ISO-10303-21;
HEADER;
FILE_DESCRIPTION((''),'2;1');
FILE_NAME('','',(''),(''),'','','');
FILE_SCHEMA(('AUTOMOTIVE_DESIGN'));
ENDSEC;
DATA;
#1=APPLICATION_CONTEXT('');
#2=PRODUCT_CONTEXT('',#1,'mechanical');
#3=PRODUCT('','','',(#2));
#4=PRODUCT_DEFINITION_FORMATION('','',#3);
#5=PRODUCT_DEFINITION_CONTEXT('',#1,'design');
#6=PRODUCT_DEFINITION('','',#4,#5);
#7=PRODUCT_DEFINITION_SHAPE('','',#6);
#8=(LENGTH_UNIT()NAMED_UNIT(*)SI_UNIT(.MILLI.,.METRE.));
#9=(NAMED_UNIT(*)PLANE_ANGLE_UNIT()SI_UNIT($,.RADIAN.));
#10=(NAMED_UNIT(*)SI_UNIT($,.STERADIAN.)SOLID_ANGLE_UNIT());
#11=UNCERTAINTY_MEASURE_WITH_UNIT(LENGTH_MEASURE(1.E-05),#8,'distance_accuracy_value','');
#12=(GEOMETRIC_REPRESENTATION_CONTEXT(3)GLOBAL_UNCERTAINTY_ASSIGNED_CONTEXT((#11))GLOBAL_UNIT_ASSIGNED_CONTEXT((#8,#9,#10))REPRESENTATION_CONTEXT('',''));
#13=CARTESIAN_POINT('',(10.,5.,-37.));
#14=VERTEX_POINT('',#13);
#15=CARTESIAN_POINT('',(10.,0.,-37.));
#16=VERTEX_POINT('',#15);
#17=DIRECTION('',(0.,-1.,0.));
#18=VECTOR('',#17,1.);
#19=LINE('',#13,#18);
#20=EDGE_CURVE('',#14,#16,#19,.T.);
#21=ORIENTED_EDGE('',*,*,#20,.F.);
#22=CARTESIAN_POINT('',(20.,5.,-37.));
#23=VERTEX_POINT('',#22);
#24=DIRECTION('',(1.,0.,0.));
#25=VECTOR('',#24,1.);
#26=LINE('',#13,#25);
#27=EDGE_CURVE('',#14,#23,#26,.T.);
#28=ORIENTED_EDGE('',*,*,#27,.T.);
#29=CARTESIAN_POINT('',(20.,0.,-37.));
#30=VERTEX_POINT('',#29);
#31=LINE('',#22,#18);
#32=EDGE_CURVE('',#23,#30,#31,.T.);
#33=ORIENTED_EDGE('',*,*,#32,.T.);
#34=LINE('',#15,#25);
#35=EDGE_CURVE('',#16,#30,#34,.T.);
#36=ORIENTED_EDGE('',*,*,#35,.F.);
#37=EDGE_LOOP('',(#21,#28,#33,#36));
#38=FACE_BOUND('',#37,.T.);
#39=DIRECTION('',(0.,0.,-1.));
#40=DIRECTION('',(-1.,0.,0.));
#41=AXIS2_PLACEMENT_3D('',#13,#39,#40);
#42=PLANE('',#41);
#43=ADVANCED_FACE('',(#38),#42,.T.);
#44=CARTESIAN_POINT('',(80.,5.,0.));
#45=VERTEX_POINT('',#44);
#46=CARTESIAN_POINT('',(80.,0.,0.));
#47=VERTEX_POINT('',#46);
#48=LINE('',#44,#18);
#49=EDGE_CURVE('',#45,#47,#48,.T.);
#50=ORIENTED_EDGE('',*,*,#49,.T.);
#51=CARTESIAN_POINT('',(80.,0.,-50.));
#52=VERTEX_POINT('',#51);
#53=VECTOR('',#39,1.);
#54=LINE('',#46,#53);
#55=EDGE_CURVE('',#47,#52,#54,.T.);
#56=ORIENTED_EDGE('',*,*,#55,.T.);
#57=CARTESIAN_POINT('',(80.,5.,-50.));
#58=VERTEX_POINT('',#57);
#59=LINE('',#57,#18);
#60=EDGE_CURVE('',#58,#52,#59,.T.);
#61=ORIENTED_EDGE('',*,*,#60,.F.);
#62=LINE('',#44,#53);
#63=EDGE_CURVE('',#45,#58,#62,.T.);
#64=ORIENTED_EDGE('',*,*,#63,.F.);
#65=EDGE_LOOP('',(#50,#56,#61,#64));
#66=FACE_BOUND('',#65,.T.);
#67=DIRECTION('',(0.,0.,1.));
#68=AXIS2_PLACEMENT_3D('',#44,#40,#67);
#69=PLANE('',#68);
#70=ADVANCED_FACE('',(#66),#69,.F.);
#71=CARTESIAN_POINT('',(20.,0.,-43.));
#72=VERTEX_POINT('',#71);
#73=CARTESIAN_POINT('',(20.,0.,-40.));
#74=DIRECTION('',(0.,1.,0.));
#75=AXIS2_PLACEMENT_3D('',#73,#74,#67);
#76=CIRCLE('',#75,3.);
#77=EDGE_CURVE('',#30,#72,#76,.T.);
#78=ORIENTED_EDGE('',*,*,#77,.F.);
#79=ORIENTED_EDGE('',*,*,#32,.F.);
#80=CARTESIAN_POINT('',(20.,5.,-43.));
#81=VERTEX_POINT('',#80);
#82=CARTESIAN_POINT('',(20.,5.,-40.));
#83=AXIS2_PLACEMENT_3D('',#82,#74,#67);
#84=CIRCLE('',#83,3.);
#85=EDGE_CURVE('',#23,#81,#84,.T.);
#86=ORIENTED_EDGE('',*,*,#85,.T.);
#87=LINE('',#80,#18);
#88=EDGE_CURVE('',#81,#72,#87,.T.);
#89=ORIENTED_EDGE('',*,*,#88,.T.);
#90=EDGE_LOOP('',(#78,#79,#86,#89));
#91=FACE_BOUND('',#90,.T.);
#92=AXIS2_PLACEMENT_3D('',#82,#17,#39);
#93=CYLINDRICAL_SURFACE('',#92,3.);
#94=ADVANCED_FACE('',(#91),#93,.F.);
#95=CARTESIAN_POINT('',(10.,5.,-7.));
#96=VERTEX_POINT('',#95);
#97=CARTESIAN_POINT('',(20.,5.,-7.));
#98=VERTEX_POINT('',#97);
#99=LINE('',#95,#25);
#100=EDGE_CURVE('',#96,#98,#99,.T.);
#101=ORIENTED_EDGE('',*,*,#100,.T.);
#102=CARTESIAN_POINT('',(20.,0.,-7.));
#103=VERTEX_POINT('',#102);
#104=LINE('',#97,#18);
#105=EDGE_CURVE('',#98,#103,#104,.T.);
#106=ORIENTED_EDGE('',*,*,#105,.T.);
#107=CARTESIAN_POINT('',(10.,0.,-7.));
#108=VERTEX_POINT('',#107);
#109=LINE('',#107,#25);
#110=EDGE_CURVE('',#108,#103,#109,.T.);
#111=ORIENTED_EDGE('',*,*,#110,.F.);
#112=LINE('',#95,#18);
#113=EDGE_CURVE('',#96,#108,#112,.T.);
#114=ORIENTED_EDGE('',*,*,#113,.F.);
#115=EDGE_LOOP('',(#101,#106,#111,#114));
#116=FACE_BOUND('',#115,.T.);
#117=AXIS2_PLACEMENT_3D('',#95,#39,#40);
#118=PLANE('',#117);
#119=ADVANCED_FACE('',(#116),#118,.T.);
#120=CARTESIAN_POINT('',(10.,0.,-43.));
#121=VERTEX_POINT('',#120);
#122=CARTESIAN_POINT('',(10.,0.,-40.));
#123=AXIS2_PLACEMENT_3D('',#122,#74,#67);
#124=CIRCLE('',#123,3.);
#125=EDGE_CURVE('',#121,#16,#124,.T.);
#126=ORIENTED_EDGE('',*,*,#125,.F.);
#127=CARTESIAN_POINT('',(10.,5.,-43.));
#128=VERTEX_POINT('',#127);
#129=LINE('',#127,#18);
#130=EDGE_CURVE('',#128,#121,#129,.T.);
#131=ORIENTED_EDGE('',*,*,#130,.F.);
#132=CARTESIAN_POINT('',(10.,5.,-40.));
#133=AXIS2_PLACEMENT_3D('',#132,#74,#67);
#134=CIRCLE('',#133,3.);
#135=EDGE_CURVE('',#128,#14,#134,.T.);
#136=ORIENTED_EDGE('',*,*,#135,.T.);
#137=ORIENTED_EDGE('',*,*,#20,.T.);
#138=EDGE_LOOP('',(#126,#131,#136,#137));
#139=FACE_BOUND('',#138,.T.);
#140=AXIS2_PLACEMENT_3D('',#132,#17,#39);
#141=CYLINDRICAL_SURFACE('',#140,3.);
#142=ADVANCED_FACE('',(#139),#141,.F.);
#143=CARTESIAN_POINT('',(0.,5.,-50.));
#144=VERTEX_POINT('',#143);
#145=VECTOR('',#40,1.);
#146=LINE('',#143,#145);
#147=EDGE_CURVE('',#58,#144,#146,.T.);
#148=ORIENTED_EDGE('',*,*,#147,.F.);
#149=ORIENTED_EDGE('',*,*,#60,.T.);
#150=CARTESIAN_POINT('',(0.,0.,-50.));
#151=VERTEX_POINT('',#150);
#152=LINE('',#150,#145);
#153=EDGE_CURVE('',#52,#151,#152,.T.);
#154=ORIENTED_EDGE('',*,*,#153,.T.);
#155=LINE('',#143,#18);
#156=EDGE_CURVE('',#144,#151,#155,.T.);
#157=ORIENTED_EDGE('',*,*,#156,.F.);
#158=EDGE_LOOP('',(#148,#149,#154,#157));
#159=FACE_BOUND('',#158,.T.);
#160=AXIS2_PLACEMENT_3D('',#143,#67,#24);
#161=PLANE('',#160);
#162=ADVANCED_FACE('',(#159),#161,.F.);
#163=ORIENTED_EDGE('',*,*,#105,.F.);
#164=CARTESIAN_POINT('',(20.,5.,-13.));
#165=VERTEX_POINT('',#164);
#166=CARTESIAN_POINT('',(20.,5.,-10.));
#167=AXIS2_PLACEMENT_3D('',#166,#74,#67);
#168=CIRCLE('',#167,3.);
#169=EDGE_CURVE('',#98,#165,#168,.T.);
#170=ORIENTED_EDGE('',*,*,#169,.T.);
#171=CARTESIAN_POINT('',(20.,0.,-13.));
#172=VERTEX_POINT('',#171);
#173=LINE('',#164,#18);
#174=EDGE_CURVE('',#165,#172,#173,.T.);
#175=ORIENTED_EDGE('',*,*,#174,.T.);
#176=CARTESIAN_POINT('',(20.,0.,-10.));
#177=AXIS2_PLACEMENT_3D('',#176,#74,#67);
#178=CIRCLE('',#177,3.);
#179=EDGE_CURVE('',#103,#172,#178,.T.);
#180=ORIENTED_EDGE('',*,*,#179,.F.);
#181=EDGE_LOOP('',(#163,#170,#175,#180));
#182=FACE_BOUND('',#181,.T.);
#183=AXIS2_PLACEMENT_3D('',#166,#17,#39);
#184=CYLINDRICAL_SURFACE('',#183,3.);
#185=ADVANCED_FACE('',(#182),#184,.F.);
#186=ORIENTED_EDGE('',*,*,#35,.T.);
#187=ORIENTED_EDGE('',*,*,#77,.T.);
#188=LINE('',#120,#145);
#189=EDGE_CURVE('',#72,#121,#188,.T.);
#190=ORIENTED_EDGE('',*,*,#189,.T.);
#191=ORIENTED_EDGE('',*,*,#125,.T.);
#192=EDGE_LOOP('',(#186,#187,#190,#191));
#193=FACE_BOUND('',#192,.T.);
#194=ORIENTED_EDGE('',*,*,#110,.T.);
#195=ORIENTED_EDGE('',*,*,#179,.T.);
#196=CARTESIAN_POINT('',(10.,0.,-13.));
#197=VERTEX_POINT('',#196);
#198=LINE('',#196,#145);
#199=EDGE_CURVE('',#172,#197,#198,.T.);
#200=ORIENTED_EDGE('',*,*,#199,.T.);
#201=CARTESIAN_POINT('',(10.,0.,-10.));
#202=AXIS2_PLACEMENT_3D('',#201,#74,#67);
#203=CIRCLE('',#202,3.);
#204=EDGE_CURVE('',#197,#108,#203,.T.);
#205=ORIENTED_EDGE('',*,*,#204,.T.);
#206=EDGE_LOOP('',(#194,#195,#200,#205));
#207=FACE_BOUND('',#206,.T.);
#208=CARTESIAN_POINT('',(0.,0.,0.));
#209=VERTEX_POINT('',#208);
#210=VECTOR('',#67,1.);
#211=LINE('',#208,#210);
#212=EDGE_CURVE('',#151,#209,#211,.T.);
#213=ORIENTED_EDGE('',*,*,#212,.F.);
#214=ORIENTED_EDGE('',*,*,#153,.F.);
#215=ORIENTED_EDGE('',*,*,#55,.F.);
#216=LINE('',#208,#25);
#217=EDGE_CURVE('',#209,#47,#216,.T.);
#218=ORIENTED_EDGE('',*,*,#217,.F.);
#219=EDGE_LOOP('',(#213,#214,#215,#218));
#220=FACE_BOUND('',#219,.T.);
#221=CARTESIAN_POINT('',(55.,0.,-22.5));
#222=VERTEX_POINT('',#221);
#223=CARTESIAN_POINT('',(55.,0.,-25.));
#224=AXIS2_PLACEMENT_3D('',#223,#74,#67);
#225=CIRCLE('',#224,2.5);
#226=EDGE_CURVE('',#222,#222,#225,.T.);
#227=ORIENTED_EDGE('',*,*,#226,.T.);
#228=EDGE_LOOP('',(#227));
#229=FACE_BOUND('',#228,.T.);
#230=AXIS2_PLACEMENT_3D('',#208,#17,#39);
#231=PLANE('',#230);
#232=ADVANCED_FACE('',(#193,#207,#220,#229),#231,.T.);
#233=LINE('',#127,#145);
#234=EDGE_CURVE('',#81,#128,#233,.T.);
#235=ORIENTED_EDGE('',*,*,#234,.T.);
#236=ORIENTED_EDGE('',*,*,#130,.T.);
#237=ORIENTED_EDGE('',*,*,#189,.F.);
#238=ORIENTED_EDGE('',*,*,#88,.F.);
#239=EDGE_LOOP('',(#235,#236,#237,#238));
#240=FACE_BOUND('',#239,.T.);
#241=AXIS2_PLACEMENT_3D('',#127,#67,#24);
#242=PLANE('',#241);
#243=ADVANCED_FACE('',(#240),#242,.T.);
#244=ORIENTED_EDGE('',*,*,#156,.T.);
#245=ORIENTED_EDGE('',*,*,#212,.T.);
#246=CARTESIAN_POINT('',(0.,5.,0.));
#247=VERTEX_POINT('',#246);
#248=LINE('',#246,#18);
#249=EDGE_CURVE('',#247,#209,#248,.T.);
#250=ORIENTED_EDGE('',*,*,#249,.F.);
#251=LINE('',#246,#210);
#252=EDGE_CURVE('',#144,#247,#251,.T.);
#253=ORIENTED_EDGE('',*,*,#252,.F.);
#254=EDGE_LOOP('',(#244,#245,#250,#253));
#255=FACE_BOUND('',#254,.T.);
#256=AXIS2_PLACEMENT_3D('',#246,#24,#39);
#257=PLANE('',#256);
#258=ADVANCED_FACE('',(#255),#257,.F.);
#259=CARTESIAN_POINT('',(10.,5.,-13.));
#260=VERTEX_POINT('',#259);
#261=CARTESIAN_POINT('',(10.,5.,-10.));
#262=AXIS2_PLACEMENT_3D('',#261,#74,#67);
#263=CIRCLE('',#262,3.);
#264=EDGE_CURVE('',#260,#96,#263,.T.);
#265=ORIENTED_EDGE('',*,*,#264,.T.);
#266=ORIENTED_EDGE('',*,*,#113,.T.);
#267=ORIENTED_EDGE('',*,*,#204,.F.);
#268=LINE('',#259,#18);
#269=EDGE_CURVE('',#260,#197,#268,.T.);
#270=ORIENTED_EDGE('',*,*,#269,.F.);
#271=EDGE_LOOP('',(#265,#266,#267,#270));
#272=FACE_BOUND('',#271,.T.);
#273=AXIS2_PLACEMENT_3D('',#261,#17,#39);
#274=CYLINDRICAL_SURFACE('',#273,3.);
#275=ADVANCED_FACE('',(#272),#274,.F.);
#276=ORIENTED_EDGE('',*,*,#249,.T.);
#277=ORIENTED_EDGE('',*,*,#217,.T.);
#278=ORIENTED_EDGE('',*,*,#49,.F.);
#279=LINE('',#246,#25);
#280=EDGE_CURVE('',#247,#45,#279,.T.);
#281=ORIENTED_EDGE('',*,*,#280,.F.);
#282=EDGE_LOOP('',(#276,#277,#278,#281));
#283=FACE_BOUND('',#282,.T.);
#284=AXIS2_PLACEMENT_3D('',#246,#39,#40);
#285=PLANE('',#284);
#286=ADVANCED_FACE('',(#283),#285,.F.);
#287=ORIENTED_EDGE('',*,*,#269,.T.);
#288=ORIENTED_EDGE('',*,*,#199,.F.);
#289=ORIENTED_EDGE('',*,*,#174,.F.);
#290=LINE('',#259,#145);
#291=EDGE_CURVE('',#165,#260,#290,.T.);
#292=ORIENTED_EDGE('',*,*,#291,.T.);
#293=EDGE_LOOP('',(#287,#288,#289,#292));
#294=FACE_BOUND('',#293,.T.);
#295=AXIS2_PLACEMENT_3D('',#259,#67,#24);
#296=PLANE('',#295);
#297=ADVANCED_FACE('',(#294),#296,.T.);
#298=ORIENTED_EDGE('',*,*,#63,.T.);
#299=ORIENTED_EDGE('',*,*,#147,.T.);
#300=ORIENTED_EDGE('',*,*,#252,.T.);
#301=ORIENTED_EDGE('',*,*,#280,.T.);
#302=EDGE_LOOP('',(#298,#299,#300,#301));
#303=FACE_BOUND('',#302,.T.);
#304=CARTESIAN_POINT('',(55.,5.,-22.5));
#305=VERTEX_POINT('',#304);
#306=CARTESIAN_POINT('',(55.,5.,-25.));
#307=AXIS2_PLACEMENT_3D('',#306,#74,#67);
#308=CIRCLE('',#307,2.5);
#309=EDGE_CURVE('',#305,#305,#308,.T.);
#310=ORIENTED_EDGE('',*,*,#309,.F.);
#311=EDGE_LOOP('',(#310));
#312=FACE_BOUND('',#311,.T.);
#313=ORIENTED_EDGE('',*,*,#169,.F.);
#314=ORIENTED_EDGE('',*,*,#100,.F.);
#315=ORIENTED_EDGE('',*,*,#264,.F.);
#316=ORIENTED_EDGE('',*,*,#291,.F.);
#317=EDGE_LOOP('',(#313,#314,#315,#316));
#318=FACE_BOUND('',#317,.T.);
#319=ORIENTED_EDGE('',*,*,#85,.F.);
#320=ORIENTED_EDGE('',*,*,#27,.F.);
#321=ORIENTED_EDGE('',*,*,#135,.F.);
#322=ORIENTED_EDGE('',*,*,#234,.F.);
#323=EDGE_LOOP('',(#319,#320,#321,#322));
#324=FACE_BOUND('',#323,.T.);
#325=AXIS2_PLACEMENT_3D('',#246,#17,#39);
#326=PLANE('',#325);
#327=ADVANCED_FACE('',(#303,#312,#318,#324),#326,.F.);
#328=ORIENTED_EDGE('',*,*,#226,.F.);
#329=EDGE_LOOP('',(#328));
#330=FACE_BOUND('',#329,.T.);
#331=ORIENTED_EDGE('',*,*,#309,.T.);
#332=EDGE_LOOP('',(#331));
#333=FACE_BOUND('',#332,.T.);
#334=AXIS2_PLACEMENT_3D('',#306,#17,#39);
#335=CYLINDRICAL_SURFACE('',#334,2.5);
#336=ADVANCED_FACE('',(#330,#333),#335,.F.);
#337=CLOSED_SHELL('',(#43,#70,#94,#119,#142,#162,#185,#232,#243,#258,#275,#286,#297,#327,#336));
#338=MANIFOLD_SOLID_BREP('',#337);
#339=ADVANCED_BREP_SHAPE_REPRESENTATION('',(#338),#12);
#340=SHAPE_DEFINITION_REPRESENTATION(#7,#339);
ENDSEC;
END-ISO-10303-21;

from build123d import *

# Parameters (mm, degrees)
SKETCH1_W           = 80
SKETCH1_H           = 50
SKETCH1_R           = 2.5
BOSS_EXTRUDE1_DEPTH = 5


with BuildPart() as part:
    # Sketch1 → Boss-Extrude1 (new body)
    with BuildSketch(Plane(origin=(0, 0, 0), x_dir=(1, 0, 0), z_dir=(0, 1, 0))):
        with Locations((40, 25)):
            Rectangle(SKETCH1_W, SKETCH1_H)
        with Locations(Location((55, 25, 0), (0, 0, 270))):
            Circle(SKETCH1_R, mode=Mode.SUBTRACT)
        with BuildLine():
            Line((10, 43), (20, 43))
            ThreePointArc((20, 43), (23, 40), (20, 37))
            Line((20, 37), (10, 37))
            ThreePointArc((10, 37), (7, 40), (10, 43))
        make_face(mode=Mode.SUBTRACT)
        with BuildLine():
            Line((10, 13), (20, 13))
            ThreePointArc((20, 13), (23, 10), (20, 7))
            Line((20, 7), (10, 7))
            ThreePointArc((10, 7), (7, 10), (10, 13))
        make_face(mode=Mode.SUBTRACT)
    extrude(amount=BOSS_EXTRUDE1_DEPTH)


solid = part.part
